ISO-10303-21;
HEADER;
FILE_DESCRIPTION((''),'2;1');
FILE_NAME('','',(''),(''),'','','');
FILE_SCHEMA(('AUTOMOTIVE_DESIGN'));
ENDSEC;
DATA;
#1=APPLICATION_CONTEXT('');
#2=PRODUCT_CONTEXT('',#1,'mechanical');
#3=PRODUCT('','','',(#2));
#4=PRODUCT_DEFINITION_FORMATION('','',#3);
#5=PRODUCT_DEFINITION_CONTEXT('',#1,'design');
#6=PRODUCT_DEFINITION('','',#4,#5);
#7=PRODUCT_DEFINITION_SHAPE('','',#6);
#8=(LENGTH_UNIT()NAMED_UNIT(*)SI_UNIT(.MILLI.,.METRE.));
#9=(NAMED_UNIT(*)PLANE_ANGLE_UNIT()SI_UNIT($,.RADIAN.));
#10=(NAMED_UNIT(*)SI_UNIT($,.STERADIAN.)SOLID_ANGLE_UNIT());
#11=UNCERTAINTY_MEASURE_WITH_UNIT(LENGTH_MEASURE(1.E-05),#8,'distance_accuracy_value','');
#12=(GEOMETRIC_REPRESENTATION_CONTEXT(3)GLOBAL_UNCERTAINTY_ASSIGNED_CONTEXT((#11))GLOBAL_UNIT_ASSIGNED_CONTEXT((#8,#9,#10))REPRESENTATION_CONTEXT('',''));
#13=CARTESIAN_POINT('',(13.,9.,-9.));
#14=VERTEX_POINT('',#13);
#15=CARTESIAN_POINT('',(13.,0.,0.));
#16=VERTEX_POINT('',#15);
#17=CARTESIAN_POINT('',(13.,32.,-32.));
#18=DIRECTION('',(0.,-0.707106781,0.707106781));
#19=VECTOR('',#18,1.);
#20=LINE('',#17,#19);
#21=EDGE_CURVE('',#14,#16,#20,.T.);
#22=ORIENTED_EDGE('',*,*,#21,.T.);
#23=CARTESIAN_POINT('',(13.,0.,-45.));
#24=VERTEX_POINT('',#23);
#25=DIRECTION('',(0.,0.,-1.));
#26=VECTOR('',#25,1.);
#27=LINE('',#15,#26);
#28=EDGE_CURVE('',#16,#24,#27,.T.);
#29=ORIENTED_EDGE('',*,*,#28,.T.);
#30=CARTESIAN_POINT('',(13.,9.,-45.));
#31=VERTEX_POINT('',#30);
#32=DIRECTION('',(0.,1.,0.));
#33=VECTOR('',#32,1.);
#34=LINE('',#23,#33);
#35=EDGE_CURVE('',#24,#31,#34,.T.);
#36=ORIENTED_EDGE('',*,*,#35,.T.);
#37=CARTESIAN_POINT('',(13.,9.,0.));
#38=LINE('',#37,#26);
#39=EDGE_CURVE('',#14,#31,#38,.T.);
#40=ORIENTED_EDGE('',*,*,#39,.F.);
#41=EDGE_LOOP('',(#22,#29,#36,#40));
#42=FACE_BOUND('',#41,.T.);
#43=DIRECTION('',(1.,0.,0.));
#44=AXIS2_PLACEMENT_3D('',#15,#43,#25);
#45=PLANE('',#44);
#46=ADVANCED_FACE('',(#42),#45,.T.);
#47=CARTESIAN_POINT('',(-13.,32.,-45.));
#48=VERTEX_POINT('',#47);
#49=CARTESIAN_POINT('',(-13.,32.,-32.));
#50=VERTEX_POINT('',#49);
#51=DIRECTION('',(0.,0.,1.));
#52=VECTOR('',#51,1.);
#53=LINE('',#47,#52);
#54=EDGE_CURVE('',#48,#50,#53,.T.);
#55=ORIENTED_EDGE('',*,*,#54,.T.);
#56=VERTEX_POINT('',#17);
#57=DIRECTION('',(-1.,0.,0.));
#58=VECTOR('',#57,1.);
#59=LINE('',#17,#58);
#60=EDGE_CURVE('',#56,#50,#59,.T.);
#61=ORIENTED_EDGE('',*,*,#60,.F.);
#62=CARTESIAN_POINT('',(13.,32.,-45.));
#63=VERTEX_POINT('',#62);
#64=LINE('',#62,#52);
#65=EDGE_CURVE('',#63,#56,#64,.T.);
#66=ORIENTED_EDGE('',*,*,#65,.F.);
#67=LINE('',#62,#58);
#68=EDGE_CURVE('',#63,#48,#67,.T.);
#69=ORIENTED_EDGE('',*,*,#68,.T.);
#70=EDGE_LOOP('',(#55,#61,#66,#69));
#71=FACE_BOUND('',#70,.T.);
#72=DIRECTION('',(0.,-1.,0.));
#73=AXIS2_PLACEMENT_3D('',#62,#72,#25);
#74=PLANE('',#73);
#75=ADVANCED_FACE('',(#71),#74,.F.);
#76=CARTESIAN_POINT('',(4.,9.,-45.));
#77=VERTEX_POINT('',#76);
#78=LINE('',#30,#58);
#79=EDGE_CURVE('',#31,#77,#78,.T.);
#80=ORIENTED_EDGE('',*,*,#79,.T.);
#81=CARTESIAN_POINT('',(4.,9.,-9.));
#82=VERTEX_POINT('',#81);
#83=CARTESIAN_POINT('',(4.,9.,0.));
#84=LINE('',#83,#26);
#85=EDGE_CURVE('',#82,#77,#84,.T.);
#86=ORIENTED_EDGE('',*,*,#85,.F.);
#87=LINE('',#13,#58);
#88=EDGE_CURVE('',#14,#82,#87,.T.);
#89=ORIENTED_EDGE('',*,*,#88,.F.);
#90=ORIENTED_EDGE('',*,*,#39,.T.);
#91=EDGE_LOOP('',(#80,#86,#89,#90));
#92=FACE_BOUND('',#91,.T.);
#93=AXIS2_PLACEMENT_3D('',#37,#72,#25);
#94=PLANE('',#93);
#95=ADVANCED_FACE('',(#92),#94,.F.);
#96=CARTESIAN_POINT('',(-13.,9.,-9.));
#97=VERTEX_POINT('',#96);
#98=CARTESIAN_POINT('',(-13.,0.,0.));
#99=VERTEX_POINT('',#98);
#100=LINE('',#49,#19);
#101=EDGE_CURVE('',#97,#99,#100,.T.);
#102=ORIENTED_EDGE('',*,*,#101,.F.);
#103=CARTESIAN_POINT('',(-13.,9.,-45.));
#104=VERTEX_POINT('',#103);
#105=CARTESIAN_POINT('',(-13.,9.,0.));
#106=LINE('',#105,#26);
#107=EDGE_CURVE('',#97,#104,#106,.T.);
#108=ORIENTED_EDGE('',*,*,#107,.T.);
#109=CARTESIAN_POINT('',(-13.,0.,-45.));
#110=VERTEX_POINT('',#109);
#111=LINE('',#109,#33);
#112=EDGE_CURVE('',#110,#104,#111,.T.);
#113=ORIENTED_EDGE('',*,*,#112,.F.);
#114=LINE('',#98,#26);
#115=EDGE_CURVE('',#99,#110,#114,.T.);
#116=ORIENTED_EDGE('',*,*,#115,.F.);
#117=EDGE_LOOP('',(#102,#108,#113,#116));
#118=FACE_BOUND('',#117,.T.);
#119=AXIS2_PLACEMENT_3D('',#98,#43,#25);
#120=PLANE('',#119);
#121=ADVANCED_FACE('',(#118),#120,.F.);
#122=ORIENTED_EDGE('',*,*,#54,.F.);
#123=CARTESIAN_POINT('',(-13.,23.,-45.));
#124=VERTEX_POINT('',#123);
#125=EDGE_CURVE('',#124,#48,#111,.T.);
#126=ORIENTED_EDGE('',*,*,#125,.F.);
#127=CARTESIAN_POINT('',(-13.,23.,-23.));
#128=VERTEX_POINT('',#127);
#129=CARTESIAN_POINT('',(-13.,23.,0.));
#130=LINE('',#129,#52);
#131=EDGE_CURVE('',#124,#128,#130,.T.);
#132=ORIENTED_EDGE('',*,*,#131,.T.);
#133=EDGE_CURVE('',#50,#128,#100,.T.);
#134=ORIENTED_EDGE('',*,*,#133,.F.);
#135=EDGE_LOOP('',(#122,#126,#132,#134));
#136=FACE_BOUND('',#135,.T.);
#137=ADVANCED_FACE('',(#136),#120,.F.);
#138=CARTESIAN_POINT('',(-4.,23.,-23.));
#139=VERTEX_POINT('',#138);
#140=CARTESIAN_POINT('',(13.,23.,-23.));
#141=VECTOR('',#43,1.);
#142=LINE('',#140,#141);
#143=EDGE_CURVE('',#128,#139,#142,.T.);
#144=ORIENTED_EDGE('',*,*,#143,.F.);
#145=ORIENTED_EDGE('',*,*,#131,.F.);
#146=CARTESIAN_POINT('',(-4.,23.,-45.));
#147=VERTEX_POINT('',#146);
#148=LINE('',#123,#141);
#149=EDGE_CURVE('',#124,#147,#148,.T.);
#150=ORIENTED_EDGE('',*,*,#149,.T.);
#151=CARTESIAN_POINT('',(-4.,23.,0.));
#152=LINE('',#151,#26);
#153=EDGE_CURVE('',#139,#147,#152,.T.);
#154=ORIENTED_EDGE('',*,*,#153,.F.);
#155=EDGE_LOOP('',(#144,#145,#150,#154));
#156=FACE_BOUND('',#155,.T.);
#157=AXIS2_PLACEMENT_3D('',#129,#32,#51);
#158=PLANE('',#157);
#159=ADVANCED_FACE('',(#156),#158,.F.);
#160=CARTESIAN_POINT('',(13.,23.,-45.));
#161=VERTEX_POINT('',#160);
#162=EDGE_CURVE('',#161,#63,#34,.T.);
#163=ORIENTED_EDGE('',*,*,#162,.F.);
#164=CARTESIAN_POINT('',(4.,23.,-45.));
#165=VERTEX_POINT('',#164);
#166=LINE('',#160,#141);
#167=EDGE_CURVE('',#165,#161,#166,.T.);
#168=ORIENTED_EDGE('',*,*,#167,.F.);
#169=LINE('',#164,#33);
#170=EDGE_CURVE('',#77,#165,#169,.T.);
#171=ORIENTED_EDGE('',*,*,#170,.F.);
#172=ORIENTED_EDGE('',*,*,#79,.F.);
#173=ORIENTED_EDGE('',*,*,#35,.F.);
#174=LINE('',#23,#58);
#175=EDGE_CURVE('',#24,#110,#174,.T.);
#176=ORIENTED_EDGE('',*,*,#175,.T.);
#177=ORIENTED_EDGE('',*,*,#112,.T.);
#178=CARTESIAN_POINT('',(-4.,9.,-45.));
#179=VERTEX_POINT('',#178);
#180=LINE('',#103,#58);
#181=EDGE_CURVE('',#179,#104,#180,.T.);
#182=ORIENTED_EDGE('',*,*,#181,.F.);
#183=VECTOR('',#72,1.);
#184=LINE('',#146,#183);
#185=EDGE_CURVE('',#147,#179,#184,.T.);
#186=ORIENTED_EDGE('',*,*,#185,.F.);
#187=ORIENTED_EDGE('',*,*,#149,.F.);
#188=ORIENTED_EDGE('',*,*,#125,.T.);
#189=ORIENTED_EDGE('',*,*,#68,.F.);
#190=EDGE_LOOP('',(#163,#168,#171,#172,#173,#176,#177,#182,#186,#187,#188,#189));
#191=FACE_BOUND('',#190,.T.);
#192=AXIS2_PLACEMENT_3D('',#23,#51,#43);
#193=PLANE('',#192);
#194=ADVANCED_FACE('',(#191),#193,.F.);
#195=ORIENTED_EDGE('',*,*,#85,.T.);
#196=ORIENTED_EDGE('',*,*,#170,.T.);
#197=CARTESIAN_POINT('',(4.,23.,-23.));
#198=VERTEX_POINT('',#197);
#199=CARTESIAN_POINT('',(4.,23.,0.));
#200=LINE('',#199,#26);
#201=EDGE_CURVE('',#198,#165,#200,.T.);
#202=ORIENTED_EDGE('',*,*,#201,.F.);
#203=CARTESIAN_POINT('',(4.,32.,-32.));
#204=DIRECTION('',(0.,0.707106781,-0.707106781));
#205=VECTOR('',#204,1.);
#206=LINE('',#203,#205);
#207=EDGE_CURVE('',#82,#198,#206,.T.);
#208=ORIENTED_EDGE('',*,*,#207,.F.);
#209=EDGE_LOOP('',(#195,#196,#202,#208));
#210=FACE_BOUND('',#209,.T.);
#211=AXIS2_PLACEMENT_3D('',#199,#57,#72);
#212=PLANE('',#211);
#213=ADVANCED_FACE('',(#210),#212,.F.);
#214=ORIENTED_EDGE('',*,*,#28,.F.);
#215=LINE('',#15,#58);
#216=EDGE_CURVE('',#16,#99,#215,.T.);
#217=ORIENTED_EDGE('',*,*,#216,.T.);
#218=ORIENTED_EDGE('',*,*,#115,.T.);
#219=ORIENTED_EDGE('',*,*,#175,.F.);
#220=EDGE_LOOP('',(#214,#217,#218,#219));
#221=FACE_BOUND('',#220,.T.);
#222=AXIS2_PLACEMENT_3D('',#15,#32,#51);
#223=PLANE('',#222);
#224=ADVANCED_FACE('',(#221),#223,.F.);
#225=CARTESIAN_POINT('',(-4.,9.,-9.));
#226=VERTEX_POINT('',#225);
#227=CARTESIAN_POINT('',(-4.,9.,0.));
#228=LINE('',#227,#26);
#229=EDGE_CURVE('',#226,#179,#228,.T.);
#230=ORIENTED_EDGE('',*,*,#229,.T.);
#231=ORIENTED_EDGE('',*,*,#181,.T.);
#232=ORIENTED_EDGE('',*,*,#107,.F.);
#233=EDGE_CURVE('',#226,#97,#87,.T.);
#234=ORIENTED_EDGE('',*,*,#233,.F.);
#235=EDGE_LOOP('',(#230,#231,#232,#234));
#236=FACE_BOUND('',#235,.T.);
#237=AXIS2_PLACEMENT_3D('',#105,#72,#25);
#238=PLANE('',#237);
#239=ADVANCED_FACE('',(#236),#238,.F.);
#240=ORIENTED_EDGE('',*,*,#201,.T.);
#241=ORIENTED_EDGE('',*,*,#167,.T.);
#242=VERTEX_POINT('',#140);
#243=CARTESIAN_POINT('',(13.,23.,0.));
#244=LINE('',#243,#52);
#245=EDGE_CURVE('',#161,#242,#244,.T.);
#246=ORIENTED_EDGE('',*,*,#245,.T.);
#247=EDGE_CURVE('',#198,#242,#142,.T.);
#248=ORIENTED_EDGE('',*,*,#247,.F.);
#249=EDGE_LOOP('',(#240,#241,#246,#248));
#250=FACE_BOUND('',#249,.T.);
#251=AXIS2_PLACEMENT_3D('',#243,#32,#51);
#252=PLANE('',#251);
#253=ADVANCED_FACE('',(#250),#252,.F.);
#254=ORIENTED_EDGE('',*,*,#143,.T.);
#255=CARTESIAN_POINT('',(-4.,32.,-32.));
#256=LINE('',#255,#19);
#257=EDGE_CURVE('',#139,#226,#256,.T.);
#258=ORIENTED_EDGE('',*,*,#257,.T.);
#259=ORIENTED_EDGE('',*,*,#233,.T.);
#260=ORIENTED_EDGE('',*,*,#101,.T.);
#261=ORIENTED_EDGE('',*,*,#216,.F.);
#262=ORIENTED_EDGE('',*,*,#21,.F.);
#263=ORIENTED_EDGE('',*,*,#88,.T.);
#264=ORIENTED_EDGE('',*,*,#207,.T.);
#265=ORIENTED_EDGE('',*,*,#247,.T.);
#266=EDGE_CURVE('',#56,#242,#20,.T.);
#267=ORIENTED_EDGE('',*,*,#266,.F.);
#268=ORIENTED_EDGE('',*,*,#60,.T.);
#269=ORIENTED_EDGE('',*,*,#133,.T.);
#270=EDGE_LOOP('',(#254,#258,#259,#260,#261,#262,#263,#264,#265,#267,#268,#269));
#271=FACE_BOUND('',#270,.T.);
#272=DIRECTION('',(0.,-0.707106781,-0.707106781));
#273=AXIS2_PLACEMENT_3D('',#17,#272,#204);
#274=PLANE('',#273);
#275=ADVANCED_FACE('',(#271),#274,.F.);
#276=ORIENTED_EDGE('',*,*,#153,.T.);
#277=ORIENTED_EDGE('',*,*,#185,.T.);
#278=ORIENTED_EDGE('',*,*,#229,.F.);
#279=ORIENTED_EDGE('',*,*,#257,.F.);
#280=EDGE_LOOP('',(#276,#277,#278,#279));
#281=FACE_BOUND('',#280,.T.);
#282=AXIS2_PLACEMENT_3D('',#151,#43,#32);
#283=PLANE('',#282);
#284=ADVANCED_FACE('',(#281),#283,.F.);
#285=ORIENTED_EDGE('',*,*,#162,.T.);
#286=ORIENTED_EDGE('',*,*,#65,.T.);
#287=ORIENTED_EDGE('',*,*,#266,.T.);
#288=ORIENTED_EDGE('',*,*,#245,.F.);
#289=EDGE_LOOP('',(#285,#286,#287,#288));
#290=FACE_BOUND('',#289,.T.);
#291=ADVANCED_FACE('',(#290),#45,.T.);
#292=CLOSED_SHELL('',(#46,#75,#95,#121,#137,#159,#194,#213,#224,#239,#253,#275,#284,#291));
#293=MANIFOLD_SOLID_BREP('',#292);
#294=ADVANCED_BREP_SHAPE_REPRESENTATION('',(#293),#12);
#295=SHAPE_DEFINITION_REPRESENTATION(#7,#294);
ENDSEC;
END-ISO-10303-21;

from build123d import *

# Parameters (mm, degrees)
EXTRUDE_1_DEPTH     = 13
SKETCH_2_W          = 9
SKETCH_2_H          = 14
CUT_EXTRUDE_1_DEPTH = 57.727418415


with BuildPart() as part:
    # 草图1 → 凸台-拉伸1 (new, symmetric)
    with BuildSketch(Plane(origin=(0, 0, 0), x_dir=(0, 0, -1), z_dir=(1, 0, 0))):
        Polygon((0, 0), (45, 0), (45, 32), (32, 32), align=None)
    extrude(amount=EXTRUDE_1_DEPTH, both=True)

    # 草图2 → 切除-拉伸1 (cut, through all)
    with BuildSketch(Plane(origin=(0, 0, -45), x_dir=(-1, 0, 0), z_dir=(0, 0, -1))):
        with Locations((-8.5, 16)):
            Rectangle(SKETCH_2_W, SKETCH_2_H)
        with Locations((8.5, 16)):
            Rectangle(SKETCH_2_W, SKETCH_2_H)
    extrude(amount=-CUT_EXTRUDE_1_DEPTH, mode=Mode.SUBTRACT)


solid = part.part
